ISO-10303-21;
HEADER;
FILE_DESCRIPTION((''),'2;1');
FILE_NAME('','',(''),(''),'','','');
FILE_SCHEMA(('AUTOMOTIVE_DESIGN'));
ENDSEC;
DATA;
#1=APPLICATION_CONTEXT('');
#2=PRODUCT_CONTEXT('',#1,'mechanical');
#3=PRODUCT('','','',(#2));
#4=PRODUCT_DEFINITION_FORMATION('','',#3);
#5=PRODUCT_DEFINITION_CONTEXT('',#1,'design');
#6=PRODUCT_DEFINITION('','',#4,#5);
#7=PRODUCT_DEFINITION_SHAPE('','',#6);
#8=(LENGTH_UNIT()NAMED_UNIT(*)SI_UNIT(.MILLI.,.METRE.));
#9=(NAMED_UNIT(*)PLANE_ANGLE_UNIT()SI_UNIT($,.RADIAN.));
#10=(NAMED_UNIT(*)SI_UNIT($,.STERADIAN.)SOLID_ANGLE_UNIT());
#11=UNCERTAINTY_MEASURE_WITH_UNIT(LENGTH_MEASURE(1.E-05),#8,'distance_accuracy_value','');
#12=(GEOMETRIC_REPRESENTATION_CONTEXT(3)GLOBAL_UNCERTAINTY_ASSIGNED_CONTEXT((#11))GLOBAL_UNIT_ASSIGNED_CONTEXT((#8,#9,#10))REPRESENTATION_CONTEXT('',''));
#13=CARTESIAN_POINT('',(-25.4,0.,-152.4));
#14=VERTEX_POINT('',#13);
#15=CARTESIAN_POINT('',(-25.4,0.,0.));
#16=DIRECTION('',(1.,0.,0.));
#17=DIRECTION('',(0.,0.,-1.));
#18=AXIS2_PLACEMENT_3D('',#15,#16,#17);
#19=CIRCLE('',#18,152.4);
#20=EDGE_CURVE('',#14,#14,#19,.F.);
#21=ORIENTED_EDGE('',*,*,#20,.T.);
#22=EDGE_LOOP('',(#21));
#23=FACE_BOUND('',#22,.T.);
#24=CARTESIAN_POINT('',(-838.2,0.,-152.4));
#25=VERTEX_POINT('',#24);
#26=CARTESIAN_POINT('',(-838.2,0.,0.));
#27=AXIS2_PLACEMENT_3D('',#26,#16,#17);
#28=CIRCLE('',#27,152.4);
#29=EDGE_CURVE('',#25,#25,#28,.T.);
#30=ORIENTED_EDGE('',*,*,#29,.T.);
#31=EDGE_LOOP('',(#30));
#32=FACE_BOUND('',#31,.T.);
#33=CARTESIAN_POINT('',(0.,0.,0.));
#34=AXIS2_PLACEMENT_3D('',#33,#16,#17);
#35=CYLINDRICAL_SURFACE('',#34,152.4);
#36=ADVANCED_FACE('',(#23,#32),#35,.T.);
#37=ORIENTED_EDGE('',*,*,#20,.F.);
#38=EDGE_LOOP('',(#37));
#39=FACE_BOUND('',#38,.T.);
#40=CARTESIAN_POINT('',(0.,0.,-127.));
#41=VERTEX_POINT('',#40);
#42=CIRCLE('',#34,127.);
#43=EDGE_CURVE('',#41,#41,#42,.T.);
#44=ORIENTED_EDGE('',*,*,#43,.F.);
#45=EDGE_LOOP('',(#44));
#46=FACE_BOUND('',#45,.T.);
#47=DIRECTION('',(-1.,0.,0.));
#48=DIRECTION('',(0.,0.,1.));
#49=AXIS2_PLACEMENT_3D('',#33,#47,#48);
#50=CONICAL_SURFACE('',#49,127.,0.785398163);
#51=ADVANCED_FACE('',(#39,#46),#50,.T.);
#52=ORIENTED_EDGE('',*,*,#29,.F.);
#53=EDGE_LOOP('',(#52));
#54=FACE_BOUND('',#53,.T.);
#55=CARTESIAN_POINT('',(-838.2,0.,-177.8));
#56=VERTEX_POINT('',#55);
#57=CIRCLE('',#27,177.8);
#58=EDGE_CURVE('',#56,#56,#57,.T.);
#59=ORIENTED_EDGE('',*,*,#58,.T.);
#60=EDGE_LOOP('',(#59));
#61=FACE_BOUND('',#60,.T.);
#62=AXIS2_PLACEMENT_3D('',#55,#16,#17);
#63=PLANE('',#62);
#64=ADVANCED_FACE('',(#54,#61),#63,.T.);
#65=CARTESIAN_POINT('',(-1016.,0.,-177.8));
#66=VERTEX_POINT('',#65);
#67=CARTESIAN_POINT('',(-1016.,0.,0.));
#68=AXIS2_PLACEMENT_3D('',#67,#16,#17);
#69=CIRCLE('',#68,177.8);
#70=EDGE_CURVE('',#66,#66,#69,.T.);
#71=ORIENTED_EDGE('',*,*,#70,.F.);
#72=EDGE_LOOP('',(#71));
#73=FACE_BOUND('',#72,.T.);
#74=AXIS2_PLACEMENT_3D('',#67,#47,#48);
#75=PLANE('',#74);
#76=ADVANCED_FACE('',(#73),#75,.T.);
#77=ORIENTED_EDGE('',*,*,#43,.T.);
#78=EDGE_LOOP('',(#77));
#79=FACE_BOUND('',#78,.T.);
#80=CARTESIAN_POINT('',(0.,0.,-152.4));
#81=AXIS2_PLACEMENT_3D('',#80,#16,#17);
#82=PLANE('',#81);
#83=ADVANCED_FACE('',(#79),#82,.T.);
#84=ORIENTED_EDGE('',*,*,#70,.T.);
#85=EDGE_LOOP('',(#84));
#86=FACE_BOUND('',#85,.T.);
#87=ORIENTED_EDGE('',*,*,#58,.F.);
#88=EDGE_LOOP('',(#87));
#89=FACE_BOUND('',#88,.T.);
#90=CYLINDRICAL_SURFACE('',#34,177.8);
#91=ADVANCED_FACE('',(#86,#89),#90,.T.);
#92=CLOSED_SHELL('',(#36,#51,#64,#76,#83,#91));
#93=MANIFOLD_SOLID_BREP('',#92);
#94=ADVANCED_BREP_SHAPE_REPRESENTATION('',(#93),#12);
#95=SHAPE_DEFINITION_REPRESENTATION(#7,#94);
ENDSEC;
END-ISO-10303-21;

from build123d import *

# Parameters (mm, degrees)
CHAMFER1_SIZE = 25.4


with BuildPart() as part:
    # Sketch1 → Revolve1 (revolve)
    with BuildSketch(Plane(origin=(0, 0, 0), x_dir=(1, 0, 0), z_dir=(0, 1, 0))):
        Polygon((0, 0), (-1016, 0), (-1016, 177.8), (-838.2, 177.8), (-838.2, 152.4), (0, 152.4), align=None)
    revolve(axis=Axis((0, 0, 0), (-1, 0, 0)))

    # Chamfer1
    chamfer1_edges = [part.edges().sort_by_distance(p)[0] for p in [
        (0, 0, 152.4),
    ]]
    chamfer(chamfer1_edges, length=CHAMFER1_SIZE)


solid = part.part
